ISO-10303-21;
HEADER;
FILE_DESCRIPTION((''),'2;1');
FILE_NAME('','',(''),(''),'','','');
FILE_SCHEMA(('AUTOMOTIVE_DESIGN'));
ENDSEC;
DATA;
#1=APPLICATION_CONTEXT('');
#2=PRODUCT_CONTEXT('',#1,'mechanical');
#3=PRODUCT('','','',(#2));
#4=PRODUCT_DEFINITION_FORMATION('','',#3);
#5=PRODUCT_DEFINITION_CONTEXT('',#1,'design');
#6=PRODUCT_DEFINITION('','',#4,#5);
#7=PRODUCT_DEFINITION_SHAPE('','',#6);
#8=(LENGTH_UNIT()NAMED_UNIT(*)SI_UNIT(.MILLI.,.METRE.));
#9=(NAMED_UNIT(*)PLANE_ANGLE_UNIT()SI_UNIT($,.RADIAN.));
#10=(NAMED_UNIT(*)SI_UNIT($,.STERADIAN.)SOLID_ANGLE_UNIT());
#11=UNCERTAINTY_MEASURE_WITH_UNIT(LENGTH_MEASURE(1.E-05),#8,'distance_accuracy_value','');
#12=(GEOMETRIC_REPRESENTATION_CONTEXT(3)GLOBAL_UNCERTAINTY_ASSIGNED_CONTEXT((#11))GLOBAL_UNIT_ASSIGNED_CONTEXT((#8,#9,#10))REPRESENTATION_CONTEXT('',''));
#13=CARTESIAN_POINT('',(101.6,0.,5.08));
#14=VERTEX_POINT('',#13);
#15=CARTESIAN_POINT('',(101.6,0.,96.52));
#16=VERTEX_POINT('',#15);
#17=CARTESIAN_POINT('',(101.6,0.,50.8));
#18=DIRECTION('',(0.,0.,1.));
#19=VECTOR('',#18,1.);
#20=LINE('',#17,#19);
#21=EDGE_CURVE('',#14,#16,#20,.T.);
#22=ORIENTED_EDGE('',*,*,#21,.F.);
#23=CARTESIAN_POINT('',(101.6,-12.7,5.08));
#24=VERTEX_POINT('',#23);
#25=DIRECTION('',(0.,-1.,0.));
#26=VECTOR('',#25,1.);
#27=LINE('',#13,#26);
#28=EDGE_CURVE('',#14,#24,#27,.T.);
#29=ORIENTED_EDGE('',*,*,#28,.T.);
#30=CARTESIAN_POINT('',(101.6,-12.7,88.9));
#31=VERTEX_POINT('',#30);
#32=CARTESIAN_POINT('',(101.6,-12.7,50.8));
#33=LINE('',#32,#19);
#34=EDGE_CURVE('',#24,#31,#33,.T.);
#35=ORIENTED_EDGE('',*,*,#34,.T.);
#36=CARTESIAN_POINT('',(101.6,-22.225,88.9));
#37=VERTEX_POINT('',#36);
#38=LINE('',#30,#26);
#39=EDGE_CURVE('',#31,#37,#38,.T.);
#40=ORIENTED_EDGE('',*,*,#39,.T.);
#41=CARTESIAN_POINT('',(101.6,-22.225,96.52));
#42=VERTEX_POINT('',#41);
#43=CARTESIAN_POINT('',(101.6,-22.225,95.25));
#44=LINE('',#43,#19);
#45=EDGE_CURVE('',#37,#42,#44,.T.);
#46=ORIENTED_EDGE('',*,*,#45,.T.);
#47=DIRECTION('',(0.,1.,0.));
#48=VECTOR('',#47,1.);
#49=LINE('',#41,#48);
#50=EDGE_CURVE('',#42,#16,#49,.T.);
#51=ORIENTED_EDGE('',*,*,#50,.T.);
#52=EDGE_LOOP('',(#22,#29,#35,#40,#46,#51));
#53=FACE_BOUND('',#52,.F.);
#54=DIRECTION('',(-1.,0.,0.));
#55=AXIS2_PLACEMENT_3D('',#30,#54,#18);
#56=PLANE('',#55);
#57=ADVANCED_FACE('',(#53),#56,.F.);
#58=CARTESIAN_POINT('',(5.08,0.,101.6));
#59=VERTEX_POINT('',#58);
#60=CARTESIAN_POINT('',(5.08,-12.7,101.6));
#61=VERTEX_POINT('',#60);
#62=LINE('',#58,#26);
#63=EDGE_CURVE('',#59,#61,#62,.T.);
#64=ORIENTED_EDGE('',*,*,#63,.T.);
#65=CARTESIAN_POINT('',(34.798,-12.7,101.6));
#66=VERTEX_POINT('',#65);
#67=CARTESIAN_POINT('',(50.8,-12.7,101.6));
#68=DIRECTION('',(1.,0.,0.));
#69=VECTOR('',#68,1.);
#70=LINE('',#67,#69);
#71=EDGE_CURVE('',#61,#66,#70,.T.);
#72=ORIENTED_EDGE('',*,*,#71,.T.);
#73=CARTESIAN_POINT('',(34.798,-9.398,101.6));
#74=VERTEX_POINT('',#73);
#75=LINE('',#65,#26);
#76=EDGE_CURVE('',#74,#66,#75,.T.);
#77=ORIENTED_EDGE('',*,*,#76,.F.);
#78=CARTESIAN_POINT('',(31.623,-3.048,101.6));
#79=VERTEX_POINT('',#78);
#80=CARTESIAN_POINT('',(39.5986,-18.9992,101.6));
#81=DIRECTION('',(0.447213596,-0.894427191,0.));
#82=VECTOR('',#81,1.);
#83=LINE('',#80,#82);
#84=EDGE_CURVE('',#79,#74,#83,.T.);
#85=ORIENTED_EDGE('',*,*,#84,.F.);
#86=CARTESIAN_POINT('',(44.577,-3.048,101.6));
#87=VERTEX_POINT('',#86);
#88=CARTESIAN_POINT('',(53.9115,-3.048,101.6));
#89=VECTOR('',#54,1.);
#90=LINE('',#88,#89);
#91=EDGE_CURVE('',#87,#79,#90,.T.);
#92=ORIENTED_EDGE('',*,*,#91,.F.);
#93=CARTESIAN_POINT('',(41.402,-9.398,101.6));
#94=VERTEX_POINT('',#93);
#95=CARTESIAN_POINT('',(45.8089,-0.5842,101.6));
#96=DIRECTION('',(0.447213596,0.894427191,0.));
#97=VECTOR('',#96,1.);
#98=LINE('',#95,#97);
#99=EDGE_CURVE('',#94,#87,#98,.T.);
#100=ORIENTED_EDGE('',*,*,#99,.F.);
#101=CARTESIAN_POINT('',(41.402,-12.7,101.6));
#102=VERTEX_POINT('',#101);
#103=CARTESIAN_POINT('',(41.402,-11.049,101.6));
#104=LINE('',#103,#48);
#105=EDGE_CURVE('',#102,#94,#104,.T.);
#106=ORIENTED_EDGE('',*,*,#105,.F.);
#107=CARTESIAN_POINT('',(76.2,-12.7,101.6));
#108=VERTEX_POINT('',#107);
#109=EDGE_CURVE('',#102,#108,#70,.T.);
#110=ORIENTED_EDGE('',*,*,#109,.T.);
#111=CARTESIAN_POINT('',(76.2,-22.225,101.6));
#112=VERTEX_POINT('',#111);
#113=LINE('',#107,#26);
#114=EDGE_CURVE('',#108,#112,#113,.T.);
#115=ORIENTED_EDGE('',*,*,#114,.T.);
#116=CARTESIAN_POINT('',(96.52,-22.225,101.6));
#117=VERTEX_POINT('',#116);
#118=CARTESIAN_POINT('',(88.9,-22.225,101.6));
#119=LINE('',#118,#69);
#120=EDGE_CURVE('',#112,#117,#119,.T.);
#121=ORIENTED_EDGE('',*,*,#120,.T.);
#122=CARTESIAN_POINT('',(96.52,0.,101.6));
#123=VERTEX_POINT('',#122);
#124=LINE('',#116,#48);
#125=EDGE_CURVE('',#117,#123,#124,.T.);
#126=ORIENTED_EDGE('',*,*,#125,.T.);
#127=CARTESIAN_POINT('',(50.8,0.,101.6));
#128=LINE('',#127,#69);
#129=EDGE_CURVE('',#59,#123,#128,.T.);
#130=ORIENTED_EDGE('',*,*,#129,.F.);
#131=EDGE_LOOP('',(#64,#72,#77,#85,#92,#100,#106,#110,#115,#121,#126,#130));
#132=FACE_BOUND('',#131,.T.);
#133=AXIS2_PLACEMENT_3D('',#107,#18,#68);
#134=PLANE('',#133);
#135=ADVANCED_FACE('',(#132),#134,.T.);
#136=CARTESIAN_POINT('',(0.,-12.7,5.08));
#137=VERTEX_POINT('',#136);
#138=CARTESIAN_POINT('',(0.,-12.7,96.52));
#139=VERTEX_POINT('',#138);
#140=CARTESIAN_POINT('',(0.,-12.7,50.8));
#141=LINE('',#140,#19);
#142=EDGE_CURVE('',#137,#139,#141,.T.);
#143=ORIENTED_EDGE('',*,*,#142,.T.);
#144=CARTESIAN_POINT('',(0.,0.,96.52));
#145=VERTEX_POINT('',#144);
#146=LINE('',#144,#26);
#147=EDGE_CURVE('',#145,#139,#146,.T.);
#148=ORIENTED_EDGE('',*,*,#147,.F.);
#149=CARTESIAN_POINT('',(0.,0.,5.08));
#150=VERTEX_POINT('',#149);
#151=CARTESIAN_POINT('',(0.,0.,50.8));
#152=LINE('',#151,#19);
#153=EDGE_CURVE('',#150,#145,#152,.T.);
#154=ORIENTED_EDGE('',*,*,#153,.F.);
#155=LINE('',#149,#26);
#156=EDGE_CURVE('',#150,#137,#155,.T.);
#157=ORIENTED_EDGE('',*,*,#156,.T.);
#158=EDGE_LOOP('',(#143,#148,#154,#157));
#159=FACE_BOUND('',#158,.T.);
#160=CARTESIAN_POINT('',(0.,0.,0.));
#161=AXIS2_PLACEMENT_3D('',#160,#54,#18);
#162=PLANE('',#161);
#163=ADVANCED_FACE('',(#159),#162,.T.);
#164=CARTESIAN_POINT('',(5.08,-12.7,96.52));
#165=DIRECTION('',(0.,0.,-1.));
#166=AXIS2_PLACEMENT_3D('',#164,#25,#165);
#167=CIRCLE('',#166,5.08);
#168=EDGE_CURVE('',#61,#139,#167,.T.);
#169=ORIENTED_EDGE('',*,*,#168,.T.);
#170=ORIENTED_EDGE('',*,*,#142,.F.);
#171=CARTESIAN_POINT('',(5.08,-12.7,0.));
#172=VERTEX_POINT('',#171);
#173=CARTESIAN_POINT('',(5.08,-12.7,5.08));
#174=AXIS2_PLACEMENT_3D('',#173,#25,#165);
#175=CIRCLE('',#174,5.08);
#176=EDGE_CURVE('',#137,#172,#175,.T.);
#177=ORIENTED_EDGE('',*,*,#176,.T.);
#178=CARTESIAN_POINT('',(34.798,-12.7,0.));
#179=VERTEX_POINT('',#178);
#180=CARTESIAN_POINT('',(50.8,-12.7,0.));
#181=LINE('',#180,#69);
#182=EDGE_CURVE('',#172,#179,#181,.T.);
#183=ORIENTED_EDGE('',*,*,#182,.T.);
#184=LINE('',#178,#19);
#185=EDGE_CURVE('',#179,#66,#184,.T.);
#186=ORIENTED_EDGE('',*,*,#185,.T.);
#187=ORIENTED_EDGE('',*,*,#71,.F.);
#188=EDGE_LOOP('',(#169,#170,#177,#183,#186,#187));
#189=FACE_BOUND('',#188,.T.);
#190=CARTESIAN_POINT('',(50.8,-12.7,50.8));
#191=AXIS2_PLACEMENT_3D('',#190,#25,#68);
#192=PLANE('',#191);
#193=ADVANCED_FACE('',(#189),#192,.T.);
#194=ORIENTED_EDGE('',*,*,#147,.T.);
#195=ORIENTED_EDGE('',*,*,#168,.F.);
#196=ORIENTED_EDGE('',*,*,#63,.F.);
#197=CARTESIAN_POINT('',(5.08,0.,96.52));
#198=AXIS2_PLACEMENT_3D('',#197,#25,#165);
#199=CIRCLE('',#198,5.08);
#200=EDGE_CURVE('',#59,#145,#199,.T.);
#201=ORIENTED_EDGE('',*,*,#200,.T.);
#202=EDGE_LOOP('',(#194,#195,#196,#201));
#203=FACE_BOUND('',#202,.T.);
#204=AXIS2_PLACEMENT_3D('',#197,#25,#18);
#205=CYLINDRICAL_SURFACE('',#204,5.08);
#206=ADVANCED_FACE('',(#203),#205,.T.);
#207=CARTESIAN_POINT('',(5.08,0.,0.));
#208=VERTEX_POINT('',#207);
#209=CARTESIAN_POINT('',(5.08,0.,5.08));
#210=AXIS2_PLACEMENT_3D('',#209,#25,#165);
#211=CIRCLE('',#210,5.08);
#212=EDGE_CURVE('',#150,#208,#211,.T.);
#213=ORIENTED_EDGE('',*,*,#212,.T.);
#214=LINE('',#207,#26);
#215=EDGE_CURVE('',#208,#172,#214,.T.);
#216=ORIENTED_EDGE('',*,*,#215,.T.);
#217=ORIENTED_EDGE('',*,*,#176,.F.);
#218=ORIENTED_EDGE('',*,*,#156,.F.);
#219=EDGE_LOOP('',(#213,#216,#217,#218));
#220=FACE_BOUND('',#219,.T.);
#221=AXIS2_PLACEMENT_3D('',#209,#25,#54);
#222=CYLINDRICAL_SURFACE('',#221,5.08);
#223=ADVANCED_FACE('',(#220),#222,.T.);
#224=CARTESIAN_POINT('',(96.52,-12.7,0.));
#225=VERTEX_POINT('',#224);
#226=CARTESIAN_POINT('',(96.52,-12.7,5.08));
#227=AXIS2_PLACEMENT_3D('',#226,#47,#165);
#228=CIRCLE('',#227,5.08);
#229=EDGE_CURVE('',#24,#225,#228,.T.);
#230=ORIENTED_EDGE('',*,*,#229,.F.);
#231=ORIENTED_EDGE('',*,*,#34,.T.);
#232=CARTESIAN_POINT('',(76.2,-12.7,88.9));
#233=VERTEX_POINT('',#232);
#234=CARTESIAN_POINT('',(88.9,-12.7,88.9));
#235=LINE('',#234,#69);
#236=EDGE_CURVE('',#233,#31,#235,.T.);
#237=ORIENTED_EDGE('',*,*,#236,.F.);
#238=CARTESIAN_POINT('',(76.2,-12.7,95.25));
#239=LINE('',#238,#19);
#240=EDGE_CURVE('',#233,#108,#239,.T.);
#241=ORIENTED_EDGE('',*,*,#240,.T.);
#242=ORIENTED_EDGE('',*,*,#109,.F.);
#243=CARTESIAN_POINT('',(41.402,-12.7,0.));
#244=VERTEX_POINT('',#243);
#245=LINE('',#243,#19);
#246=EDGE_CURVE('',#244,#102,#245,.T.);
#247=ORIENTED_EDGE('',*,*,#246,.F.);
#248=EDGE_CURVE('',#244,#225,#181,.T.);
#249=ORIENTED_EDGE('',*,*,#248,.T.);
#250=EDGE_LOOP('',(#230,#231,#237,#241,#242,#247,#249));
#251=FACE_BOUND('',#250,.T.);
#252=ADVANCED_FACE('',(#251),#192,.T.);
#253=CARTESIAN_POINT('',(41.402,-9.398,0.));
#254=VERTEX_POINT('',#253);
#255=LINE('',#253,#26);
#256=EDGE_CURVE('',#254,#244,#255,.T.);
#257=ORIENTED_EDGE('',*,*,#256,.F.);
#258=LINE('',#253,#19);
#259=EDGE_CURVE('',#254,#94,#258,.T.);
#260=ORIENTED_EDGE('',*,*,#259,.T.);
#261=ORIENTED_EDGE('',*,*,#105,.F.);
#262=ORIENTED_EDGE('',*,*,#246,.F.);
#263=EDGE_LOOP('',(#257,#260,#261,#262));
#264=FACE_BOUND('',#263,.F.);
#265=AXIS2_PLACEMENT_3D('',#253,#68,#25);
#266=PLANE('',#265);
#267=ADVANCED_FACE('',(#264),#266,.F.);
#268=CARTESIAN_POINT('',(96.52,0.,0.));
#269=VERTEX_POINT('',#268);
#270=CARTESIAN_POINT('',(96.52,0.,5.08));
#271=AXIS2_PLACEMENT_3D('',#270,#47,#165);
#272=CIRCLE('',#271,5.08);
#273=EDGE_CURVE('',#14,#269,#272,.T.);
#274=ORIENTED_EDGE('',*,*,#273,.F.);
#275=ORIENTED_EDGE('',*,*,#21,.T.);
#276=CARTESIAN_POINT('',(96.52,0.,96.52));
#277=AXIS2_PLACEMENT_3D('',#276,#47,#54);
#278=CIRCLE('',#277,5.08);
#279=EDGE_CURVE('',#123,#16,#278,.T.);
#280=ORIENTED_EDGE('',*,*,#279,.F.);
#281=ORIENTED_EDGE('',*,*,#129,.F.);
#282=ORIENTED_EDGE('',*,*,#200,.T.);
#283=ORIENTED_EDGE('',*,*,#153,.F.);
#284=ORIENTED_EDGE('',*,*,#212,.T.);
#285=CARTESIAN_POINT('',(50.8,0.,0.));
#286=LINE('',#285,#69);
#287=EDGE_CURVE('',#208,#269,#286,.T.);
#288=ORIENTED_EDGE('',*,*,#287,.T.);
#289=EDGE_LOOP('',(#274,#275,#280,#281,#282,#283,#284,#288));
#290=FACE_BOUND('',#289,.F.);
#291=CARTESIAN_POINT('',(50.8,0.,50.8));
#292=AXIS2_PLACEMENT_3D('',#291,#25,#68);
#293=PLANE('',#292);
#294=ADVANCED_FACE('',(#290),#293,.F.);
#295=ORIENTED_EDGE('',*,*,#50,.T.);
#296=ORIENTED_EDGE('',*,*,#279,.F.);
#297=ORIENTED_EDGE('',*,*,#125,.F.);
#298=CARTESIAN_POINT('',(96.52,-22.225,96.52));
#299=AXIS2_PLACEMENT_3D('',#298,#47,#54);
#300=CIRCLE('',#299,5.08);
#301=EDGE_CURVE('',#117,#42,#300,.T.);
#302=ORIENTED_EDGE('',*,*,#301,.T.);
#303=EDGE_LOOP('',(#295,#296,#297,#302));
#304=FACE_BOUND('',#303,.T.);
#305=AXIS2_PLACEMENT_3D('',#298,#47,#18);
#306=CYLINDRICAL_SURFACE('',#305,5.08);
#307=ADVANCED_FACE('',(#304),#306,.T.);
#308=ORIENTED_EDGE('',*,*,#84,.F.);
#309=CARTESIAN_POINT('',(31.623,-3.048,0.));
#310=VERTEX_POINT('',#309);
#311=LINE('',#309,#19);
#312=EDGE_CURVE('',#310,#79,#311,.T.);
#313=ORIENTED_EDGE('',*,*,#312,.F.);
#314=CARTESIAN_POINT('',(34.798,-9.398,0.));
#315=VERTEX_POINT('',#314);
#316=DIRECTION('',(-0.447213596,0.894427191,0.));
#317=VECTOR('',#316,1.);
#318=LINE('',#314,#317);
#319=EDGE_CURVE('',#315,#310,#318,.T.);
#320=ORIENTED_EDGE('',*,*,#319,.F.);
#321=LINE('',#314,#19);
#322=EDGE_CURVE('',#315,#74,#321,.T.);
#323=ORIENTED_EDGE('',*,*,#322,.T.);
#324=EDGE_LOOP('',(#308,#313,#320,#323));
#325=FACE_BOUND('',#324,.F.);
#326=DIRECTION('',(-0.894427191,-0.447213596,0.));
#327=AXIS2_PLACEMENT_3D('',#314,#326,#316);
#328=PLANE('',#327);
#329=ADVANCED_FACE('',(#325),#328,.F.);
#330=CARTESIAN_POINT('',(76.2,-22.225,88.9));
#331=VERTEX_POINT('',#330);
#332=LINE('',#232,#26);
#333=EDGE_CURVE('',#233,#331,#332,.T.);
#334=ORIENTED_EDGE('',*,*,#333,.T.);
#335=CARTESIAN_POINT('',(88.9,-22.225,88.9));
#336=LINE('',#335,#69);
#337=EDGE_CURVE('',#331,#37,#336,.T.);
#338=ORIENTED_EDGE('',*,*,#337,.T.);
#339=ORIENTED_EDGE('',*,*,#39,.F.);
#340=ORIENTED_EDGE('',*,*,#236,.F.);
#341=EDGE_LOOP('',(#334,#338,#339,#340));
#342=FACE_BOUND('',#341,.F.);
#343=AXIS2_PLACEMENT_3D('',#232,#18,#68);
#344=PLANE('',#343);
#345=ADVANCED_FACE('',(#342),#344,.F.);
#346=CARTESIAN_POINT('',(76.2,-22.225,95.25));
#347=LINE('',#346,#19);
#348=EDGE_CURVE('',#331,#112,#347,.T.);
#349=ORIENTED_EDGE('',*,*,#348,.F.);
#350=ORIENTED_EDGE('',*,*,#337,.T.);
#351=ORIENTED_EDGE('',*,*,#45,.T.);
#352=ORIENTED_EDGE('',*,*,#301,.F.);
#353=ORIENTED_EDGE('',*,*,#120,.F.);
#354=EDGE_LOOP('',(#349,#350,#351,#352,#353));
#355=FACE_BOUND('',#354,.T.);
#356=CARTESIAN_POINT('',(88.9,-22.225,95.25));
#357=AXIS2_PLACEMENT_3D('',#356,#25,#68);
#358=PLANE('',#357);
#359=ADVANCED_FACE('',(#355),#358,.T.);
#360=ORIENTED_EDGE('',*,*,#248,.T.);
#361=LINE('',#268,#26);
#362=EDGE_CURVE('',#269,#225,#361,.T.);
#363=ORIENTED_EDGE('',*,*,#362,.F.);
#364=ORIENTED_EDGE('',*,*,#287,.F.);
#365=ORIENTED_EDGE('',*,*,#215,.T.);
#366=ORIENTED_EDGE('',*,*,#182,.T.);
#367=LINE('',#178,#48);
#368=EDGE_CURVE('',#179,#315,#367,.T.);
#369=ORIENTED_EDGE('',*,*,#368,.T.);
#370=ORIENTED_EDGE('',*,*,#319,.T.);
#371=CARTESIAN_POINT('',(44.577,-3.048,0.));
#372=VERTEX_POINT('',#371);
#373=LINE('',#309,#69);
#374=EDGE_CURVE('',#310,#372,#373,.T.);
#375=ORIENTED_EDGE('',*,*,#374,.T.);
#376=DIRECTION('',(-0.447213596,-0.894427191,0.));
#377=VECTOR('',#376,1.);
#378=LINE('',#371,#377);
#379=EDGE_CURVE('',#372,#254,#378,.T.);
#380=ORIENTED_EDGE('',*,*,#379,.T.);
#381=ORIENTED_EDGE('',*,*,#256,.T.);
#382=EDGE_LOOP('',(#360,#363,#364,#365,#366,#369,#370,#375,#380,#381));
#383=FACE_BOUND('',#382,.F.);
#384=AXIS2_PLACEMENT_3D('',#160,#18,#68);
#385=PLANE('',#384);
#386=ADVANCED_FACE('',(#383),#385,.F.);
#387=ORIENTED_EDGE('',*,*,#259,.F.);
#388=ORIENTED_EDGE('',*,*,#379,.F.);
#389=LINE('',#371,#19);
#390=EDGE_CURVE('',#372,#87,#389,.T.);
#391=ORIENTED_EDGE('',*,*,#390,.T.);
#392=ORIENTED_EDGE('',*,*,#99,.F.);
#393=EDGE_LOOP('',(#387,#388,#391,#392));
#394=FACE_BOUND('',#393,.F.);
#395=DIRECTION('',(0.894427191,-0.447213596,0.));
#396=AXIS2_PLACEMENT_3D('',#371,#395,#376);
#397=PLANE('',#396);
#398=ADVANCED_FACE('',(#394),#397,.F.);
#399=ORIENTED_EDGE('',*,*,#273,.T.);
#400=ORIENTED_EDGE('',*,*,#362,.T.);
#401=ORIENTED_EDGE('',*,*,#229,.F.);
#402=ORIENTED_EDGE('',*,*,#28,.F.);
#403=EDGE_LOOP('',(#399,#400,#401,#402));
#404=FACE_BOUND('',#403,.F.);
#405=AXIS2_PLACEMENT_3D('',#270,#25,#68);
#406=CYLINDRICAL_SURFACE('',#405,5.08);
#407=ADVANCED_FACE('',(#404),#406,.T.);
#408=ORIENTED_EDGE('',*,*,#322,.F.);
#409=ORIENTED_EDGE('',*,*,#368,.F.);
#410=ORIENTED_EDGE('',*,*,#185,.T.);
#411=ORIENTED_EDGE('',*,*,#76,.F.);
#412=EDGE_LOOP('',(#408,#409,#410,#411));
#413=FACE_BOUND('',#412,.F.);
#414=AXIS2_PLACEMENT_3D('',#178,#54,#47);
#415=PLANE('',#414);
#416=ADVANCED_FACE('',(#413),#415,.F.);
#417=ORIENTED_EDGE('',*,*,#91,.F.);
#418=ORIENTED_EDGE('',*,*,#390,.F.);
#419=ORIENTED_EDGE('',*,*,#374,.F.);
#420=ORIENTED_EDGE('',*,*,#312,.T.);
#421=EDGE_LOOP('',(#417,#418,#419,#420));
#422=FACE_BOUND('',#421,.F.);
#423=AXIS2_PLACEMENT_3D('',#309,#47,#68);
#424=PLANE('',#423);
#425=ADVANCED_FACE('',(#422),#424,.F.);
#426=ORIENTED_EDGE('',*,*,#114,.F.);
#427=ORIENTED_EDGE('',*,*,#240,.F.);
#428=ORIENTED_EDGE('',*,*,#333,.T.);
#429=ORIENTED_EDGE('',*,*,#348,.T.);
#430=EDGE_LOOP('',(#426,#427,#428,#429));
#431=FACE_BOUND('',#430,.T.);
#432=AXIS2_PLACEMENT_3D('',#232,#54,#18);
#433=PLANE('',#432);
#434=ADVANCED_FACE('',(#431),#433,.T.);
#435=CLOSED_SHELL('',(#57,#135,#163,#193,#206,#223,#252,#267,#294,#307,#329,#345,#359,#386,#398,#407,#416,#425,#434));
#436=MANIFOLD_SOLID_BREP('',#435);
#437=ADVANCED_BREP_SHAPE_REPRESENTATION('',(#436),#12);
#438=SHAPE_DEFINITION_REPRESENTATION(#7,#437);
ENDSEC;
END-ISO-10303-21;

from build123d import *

# Parameters (mm, degrees)
F0_W     = 101.6
F0_H     = 101.6
F1_DEPTH = 12.7
F2_W     = 25.4
F2_H     = 12.7
F3_DEPTH = 9.525
F5_DEPTH = 101.601
F6_R     = 5.08


with BuildPart() as f1:
    # F0 (on Front) → F1 (new body)
    with BuildSketch(Plane.XZ):
        with Locations((50.8, 50.8)):
            Rectangle(F0_W, F0_H)
    extrude(amount=F1_DEPTH)

    # F2 (on face) → F3 (join)
    with BuildSketch(Plane.XZ.offset(12.7)):
        with Locations((88.9, 95.25)):
            Rectangle(F2_W, F2_H)
    extrude(amount=F3_DEPTH)

    # F4 (on face) → F5 (cut, through all)
    with BuildSketch(Plane(origin=(0, 0, 0), x_dir=(1, 0, 0), z_dir=(0, 0, -1))):
        Polygon((41.402, 12.7), (38.1, 12.7), (38.1, 3.048), (44.577, 3.048), (41.402, 9.398), align=None)
        Polygon((38.1, 3.048), (38.1, 12.7), (34.798, 12.7), (34.798, 9.398), (31.623, 3.048), align=None)
    extrude(amount=-F5_DEPTH, mode=Mode.SUBTRACT)

    # F6
    f6_edges = [f1.edges().sort_by_distance(p)[0] for p in [
        (0, -6.35, 101.6),
        (0, -6.35, 0),
        (101.6, -6.35, 0),
        (101.6, -11.1125, 101.6),
    ]]
    fillet(f6_edges, radius=F6_R)


solid = f1.part
